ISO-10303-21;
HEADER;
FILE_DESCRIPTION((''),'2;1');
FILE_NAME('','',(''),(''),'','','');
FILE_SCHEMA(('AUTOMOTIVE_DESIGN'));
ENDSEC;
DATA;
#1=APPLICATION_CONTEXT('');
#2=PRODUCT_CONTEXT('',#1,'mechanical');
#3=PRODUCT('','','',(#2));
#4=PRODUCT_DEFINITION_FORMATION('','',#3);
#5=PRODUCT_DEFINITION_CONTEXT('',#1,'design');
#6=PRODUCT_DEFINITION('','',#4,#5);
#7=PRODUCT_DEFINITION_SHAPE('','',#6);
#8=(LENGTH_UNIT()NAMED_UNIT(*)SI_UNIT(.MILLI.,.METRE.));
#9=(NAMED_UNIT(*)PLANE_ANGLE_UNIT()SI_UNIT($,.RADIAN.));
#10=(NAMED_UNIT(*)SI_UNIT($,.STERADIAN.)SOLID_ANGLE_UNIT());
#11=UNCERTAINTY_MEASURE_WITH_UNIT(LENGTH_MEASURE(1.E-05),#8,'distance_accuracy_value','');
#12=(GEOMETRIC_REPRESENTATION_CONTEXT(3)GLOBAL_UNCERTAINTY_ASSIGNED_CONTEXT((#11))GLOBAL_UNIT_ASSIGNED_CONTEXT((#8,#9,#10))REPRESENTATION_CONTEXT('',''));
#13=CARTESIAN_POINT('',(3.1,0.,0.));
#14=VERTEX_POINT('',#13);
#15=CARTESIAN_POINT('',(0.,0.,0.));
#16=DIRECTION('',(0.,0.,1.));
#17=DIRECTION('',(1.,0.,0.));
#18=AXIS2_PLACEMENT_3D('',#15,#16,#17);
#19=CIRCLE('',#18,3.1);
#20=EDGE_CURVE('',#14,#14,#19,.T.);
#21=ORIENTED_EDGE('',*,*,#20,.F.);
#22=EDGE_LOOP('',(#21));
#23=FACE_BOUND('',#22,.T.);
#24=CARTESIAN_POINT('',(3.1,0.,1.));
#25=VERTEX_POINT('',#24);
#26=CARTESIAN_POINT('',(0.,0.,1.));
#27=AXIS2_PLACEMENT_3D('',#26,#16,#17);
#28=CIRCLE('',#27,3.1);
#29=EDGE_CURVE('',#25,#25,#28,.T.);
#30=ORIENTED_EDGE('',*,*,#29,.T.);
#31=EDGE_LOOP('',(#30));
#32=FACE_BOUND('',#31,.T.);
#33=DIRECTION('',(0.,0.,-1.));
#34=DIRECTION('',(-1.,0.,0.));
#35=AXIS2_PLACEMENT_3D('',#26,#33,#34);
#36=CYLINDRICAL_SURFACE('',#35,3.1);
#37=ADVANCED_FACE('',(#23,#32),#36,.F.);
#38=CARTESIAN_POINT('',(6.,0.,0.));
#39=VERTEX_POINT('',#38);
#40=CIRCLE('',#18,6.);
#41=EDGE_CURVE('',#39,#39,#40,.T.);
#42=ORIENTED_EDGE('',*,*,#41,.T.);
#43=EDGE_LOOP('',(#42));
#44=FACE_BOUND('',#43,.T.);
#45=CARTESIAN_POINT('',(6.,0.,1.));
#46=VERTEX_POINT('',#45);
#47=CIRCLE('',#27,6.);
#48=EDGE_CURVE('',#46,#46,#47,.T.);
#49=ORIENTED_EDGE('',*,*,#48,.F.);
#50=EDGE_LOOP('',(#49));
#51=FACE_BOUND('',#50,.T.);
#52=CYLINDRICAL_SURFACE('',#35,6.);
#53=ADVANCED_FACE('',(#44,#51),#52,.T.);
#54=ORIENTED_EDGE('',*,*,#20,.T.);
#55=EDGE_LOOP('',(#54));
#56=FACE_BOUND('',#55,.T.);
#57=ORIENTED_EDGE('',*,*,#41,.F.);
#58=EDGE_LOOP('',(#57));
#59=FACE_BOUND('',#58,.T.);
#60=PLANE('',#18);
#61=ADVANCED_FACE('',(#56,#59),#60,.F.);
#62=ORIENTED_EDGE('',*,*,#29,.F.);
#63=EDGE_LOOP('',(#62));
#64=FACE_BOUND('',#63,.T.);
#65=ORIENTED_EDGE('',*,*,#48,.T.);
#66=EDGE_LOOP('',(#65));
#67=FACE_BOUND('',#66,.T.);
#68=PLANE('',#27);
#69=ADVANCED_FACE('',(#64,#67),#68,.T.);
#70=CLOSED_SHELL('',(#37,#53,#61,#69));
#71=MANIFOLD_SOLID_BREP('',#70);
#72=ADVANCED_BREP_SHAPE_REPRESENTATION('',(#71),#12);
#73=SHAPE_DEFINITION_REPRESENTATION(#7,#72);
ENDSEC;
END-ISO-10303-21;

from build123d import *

# Parameters (mm, degrees)
SKETCH_1_R      = 6
SKETCH_1_R_2    = 3.1
EXTRUDE_1_DEPTH = 1


with BuildPart() as part:
    # 스케치1 → 보스-돌출1 (new body)
    with BuildSketch(Plane.XY):
        Circle(SKETCH_1_R)
        Circle(SKETCH_1_R_2, mode=Mode.SUBTRACT)
    extrude(amount=EXTRUDE_1_DEPTH)


solid = part.part
